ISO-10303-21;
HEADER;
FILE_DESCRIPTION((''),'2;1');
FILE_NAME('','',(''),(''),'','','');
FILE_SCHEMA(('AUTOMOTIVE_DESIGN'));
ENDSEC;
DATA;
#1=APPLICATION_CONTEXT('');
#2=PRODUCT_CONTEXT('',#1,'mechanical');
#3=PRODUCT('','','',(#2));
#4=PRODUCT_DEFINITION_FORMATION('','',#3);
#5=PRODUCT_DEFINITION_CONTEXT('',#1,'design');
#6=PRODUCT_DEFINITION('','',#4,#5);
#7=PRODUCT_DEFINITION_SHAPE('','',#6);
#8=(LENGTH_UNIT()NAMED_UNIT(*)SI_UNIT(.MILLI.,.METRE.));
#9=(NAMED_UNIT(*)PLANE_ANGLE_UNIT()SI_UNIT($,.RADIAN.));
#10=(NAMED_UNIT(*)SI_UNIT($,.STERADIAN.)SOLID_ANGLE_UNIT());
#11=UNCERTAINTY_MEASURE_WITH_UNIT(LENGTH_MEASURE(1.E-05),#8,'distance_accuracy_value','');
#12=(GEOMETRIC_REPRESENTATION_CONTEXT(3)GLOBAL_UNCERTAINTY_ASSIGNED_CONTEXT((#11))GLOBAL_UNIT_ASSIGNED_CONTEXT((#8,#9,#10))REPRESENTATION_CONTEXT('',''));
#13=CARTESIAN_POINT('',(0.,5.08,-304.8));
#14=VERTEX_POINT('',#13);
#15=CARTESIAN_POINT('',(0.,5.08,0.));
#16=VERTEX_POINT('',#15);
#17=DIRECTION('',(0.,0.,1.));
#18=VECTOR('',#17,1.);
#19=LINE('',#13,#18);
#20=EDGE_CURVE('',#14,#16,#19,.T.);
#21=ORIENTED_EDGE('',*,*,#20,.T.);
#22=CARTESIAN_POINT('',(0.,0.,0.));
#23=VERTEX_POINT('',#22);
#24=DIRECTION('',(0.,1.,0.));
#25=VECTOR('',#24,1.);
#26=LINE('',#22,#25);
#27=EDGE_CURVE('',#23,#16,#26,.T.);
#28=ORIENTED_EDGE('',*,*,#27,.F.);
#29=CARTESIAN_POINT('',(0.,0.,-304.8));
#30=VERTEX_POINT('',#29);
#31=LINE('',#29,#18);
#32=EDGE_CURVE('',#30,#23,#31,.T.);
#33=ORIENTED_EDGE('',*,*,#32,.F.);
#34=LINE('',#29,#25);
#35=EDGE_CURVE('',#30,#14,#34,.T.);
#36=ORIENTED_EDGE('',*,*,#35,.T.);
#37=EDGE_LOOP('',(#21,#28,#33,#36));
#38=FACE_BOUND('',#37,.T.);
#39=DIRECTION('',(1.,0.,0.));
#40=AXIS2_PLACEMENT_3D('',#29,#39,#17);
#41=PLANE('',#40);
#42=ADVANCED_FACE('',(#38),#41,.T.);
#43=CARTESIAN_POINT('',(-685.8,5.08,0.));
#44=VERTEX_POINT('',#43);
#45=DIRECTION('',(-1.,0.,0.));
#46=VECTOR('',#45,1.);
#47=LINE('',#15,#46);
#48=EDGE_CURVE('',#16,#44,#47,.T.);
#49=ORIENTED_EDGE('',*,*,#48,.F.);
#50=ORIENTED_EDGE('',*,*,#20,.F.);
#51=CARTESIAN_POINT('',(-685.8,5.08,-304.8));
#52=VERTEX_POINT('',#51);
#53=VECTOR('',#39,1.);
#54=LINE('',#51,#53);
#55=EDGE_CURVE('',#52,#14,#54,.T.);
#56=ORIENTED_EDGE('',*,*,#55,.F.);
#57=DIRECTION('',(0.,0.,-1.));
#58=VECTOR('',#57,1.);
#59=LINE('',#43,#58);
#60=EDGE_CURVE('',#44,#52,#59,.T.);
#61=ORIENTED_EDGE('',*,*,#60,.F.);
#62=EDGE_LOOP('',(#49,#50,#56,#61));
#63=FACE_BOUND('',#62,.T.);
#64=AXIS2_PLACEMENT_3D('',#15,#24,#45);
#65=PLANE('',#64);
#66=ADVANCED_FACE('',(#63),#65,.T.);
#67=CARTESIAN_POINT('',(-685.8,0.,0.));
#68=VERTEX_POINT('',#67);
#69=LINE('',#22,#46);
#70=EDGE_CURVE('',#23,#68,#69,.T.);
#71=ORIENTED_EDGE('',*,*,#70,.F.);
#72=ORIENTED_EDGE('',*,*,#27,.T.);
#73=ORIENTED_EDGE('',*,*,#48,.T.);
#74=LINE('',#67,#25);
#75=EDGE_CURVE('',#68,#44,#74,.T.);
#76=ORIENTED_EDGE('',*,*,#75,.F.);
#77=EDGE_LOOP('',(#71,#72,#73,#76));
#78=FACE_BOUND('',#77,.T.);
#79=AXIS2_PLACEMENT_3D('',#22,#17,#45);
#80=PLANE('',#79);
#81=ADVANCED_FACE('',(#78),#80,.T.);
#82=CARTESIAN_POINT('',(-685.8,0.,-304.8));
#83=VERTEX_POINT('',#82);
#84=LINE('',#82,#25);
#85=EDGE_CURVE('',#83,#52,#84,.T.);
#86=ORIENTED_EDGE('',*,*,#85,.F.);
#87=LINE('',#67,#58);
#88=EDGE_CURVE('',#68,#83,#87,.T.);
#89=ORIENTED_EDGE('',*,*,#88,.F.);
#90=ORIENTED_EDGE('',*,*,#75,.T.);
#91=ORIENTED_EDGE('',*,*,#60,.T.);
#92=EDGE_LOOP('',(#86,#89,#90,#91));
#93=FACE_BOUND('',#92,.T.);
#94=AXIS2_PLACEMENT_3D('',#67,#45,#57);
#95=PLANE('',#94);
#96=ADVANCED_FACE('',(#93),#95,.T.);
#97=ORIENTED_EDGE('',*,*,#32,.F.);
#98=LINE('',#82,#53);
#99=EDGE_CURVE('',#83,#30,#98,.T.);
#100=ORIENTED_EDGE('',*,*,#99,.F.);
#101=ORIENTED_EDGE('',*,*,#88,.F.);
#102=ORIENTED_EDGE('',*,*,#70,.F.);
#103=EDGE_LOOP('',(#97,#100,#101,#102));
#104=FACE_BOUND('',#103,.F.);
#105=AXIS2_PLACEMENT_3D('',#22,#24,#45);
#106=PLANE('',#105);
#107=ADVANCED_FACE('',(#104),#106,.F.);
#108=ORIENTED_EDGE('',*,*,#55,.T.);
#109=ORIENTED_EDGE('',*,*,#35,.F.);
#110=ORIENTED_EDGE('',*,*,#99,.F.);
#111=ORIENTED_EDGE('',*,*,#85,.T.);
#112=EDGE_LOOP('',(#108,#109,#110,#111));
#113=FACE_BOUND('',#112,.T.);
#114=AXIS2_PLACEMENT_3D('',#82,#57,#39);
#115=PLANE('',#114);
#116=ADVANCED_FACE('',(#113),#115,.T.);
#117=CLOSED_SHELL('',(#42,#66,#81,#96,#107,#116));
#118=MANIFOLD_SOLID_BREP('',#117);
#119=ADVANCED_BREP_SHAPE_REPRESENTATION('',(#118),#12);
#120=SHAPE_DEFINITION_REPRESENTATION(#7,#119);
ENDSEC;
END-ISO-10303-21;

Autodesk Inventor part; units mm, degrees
ref_plane "YZ Plane" through (0, 0, 0) normal (1, 0, 0) x (0, 1, 0)
ref_plane "XZ Plane" through (0, 0, 0) normal (0, 1, 0) x (-1, 0, 0)
ref_plane "XY Plane" through (0, 0, 0) normal (0, 0, 1) x (1, 0, 0)
sketch "Sketch1" plane through (0, 0, 0) normal (0, 1, 0) x (-1, 0, 0)
  line L0 (0, 0) -> (685.8, 0)
  line L1 (685.8, 0) -> (685.8, -304.8)
  line L2 (685.8, -304.8) -> (0, -304.8)
  line L3 (0, -304.8) -> (0, 0)
  dimension "d0" = 685.8
  dimension "d1" = 304.8
extrude "Extrusion1" add sketch "Sketch1" along normal blind 5.08
properties part number "cart_woodpanel-tall" material "Wood (Birch)"
